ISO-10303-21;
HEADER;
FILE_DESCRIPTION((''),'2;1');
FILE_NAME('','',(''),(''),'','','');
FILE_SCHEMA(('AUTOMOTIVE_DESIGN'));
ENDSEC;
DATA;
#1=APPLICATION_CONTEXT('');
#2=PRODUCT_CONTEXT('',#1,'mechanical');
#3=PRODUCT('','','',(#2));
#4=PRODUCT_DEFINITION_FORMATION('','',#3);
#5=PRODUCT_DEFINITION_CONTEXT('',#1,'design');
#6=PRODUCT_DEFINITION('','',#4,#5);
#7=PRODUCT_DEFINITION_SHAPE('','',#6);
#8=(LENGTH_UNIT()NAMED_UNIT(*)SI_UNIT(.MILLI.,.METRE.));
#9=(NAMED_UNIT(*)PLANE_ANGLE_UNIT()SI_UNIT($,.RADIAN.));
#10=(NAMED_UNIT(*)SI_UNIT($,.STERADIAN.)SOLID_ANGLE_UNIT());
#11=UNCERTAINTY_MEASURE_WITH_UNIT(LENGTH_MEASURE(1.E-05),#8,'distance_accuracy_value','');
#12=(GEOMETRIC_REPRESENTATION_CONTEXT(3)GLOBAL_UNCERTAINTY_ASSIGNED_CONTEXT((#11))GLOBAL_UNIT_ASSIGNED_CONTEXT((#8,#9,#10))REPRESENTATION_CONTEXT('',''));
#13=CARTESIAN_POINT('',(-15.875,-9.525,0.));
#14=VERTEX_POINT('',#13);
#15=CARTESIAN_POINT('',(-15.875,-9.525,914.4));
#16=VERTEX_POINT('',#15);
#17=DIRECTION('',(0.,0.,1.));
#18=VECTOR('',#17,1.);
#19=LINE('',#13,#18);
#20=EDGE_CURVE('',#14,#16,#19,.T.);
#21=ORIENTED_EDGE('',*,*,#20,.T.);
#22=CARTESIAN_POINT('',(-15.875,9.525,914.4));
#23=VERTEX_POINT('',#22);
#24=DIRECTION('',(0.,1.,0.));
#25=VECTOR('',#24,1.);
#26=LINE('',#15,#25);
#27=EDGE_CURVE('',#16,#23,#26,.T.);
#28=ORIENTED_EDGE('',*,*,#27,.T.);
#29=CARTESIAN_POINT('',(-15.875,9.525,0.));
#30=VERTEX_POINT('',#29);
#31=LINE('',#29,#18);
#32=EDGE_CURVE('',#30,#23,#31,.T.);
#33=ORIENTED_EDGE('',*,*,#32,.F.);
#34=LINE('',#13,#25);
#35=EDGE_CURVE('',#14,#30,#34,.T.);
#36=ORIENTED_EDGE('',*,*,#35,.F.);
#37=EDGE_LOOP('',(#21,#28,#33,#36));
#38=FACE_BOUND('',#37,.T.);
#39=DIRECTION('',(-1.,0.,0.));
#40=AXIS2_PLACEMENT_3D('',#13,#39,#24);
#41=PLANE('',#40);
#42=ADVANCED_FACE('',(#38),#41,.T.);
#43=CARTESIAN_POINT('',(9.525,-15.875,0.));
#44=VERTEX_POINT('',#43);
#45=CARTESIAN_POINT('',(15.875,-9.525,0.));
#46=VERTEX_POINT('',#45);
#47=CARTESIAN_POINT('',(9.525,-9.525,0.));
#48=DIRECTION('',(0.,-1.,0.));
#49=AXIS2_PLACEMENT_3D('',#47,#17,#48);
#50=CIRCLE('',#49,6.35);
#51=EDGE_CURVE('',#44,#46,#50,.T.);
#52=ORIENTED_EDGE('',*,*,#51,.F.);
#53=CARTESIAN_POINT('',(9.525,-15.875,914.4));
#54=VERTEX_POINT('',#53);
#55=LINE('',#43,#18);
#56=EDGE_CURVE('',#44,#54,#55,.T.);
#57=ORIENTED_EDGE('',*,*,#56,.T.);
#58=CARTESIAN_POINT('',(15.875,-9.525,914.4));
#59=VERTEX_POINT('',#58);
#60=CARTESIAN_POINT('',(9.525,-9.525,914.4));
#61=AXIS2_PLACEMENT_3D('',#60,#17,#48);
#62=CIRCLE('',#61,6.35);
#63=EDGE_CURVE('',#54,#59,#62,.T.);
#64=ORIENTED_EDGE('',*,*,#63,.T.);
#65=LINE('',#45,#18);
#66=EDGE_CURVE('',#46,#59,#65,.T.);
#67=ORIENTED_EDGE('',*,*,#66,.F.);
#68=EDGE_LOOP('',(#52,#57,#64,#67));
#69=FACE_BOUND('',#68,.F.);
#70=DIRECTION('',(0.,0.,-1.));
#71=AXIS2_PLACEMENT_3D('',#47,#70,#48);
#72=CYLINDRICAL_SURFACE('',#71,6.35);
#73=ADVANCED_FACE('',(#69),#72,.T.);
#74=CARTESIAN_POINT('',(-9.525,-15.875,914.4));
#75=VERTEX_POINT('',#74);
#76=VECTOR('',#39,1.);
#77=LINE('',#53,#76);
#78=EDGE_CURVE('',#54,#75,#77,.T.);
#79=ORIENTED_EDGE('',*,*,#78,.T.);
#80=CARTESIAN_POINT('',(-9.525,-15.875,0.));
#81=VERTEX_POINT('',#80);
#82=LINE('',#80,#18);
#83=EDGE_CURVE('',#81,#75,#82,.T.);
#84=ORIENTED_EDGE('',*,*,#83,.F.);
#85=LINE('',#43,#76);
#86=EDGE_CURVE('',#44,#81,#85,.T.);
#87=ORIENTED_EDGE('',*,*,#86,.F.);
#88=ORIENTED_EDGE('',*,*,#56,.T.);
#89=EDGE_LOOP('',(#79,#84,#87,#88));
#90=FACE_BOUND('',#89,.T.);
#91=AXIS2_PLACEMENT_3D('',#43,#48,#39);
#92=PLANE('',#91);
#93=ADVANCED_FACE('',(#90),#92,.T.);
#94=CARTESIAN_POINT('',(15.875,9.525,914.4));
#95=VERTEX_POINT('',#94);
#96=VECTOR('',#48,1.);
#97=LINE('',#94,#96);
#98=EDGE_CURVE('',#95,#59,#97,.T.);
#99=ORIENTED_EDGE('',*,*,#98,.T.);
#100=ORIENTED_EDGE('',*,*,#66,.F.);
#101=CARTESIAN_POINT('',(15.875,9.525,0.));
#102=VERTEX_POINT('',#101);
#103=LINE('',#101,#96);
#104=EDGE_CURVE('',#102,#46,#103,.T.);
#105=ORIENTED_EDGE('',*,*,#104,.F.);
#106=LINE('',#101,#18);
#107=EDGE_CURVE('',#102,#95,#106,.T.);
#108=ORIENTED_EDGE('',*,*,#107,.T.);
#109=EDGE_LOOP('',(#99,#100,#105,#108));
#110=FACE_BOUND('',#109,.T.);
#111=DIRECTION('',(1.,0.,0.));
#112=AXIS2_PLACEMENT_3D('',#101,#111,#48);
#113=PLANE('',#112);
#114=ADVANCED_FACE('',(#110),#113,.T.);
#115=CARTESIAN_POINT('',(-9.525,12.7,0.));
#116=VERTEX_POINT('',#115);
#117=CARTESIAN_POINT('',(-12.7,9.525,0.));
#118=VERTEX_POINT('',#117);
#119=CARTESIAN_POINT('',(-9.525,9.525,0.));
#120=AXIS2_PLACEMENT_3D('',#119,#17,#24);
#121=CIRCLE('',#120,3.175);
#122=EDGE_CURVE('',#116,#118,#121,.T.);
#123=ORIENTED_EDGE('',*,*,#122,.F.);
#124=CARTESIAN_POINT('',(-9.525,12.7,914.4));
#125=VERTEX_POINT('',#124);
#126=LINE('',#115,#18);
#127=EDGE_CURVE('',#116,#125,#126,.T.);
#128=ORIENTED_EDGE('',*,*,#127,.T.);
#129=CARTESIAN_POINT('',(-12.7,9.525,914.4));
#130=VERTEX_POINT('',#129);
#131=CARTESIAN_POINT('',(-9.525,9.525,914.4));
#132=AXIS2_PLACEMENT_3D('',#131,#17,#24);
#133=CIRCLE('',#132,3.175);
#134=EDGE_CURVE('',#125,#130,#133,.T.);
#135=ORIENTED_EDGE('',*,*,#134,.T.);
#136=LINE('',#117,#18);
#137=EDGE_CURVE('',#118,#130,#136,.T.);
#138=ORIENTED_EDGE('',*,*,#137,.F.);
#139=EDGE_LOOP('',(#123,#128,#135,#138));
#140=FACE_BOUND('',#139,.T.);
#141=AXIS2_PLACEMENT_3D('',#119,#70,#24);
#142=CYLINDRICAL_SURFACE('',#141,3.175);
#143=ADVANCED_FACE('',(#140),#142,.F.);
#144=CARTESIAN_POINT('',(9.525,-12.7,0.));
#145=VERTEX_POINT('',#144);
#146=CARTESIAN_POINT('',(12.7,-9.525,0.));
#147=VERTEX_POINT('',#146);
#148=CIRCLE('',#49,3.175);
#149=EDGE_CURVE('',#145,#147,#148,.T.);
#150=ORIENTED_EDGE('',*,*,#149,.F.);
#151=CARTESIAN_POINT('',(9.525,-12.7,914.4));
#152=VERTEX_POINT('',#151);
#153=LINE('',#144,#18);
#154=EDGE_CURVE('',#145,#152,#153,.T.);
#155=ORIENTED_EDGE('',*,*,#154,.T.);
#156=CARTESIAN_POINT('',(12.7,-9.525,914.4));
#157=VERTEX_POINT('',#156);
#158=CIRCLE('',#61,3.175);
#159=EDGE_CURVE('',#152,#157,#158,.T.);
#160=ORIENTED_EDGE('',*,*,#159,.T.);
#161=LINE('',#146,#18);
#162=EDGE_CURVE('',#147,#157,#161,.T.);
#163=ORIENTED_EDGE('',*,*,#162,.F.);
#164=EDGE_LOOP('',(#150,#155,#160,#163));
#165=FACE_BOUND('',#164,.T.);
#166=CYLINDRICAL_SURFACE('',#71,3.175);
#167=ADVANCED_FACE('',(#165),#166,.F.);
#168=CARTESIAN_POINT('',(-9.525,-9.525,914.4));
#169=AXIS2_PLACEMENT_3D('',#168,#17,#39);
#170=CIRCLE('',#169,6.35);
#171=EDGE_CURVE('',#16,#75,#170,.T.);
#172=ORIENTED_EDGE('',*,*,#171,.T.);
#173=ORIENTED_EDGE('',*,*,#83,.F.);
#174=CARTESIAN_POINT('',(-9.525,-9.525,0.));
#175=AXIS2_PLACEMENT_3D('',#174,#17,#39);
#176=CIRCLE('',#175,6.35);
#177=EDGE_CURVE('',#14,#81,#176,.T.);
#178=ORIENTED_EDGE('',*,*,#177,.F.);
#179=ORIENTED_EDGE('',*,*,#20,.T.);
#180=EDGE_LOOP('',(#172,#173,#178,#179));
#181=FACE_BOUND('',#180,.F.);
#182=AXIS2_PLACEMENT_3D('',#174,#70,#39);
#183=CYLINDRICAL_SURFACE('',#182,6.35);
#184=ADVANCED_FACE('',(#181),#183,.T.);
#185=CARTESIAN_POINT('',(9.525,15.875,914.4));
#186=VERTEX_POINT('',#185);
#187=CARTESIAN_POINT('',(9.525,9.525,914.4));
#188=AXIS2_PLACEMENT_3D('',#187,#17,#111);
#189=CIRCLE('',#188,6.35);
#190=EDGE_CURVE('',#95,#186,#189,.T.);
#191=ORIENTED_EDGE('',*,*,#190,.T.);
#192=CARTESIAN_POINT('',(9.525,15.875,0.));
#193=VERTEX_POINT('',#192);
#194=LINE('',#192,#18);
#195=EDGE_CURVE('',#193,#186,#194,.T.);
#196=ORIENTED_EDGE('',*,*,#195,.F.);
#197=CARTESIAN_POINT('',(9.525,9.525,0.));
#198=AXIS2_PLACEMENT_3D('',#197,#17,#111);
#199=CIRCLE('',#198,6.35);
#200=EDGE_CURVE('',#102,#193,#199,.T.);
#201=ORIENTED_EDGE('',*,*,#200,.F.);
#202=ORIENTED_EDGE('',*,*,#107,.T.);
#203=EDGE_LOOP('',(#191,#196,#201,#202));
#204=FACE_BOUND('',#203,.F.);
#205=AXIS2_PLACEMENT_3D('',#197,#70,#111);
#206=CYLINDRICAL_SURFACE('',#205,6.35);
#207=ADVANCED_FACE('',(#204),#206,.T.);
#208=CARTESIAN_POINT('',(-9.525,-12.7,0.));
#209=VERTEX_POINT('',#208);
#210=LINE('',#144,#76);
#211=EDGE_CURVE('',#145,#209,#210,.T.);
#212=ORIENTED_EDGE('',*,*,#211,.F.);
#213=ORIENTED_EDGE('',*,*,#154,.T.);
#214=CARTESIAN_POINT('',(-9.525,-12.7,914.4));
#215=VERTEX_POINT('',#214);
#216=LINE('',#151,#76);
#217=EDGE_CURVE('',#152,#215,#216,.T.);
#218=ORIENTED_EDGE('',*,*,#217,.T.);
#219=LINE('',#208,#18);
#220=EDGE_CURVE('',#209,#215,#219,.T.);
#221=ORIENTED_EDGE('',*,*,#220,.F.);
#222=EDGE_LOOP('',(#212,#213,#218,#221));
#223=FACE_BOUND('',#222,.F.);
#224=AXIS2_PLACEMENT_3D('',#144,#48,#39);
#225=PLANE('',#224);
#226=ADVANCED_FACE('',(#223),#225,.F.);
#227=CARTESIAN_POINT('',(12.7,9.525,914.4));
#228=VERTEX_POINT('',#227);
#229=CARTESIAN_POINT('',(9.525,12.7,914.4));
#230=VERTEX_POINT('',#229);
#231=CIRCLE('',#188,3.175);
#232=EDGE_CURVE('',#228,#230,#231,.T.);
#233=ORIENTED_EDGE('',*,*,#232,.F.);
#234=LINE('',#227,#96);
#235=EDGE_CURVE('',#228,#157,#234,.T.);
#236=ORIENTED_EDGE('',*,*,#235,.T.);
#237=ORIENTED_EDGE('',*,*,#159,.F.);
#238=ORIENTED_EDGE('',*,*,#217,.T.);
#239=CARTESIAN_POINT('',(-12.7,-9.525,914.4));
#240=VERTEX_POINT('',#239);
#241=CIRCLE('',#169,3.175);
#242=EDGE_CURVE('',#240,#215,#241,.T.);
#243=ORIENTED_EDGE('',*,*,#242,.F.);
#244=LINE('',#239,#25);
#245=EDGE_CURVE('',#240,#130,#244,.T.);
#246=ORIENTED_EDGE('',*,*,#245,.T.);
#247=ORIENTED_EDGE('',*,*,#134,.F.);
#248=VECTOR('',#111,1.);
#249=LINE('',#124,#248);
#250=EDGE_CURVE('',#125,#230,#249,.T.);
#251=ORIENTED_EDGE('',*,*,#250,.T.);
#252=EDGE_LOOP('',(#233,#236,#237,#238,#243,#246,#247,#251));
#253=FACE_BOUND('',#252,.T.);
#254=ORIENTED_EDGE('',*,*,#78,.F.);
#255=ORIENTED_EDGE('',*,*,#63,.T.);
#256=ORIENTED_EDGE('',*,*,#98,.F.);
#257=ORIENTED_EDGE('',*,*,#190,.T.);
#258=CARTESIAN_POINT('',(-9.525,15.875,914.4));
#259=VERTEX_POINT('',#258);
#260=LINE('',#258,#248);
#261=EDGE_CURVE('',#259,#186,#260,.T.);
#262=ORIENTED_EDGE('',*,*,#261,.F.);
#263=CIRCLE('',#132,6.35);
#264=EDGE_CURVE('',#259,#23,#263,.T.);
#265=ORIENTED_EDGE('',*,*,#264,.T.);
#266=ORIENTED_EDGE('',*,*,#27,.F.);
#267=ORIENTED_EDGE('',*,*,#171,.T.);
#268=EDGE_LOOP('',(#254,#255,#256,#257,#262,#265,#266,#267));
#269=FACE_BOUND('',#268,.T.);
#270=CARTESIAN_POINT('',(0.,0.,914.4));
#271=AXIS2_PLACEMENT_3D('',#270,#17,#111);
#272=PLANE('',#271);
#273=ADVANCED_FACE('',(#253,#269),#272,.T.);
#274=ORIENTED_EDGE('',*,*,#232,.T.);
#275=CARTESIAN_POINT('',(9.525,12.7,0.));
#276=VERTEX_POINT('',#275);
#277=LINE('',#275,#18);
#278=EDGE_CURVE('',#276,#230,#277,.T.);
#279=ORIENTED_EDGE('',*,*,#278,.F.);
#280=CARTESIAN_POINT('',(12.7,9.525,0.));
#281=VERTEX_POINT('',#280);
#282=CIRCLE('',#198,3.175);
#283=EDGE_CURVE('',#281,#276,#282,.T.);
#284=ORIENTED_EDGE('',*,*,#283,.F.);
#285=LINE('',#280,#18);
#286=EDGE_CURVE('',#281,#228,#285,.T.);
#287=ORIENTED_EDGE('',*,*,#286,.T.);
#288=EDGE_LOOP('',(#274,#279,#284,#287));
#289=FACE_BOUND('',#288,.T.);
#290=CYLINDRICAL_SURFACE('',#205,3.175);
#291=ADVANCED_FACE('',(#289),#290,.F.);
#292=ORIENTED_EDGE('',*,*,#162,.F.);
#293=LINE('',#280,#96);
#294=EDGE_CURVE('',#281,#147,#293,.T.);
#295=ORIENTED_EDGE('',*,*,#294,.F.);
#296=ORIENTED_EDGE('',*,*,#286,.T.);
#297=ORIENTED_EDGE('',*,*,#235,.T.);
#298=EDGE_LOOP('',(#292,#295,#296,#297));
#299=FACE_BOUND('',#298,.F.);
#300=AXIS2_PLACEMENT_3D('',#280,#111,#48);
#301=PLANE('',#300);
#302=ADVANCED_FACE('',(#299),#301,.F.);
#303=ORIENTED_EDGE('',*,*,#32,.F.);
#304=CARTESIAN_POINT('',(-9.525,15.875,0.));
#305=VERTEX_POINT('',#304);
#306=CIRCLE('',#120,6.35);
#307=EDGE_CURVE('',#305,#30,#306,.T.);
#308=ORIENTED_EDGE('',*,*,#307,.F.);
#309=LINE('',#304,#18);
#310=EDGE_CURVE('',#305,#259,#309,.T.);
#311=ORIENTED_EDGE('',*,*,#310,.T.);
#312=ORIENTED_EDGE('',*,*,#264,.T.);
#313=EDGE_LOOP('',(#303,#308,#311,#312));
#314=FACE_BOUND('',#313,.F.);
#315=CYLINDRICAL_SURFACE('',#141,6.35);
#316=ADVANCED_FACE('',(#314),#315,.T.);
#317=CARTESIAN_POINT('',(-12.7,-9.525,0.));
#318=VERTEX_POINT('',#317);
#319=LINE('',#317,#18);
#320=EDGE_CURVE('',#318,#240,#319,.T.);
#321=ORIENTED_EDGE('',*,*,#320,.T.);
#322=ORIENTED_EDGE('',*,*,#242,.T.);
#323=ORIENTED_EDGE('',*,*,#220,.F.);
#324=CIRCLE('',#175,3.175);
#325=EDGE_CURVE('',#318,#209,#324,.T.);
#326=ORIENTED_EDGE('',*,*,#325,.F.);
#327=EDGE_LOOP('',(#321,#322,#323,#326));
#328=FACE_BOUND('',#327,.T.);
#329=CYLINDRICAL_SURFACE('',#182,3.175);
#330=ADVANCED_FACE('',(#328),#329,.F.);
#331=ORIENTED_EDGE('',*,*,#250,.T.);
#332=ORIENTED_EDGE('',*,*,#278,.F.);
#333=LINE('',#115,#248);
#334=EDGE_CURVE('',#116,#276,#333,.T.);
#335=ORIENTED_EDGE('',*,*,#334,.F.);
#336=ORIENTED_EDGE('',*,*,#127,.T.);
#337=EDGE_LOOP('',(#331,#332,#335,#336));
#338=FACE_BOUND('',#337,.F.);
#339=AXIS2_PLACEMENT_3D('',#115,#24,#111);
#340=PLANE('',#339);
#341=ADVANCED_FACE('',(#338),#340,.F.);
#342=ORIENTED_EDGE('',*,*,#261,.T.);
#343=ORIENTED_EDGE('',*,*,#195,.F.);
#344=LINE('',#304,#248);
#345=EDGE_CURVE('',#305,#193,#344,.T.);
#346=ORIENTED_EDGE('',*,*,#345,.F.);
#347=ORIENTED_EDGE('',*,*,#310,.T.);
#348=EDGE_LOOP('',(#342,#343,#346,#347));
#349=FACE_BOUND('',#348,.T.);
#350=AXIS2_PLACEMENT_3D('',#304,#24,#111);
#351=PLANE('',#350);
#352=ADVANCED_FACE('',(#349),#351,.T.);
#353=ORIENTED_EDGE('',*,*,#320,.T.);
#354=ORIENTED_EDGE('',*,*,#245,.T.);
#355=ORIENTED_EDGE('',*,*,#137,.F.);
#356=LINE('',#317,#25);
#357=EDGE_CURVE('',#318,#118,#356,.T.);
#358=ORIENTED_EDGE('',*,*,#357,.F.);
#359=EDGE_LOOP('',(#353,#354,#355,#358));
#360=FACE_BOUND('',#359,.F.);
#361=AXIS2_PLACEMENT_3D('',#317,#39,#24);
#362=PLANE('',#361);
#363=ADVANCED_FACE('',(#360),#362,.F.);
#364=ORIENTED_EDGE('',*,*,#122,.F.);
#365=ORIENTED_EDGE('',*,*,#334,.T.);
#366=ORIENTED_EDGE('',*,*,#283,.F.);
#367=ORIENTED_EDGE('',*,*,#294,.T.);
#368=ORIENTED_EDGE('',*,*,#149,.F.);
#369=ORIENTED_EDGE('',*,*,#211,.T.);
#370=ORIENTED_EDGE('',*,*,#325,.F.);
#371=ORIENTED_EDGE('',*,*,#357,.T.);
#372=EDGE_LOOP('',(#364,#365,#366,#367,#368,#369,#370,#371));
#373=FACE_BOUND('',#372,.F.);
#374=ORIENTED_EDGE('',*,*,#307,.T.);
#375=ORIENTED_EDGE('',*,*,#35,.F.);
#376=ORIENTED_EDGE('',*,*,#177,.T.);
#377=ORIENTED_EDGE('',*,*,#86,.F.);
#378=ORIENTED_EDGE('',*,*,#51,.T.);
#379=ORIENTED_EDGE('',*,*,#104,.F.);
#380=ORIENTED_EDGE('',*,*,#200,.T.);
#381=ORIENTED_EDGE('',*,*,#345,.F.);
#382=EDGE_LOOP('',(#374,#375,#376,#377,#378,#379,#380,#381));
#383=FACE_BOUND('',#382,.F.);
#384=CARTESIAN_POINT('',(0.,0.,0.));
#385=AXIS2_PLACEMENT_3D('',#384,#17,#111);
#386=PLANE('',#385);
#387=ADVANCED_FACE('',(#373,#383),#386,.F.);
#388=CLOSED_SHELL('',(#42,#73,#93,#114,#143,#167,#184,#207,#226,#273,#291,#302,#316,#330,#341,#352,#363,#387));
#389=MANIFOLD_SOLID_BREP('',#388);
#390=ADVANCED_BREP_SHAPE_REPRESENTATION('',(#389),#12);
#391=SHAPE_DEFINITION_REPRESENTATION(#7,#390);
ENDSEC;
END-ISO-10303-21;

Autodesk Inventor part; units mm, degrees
ref_plane "YZ Plane" through (0, 0, 0) normal (1, 0, 0) x (0, 1, 0)
ref_plane "Start plane" through (0, 0, 0) normal (0, 0, 1) x (1, 0, 0)
ref_plane "End plane" through (0, 0, 914.4) normal (0, 0, 1) x (1, 0, 0)
sketch "Sketch" plane through (0, 0, 0) normal (0, 0, 1) x (1, 0, 0)
  line L0 (-15.875, -9.525) -> (-15.875, 9.525)
  line L1 (-9.525, 15.875) -> (9.525, 15.875)
  line L2 (15.875, 9.525) -> (15.875, -9.525)
  line L3 (9.525, -15.875) -> (-9.525, -15.875)
  arc A0 (-15.875, -9.525) -> (-9.525, -15.875) centre (-9.525, -9.525) ccw
  arc A1 (-9.525, 15.875) -> (-15.875, 9.525) centre (-9.525, 9.525) ccw
  arc A2 (15.875, 9.525) -> (9.525, 15.875) centre (9.525, 9.525) ccw
  arc A3 (9.525, -15.875) -> (15.875, -9.525) centre (9.525, -9.525) ccw
  arc A4 (-9.525, 12.7) -> (-12.7, 9.525) centre (-9.525, 9.525) ccw
  line L4 (-9.525, 12.7) -> (9.525, 12.7)
  arc A5 (12.7, 9.525) -> (9.525, 12.7) centre (9.525, 9.525) ccw
  line L5 (12.7, 9.525) -> (12.7, -9.525)
  arc A6 (9.525, -12.7) -> (12.7, -9.525) centre (9.525, -9.525) ccw
  line L6 (9.525, -12.7) -> (-9.525, -12.7)
  arc A7 (-12.7, -9.525) -> (-9.525, -12.7) centre (-9.525, -9.525) ccw
  line L7 (-12.7, -9.525) -> (-12.7, 9.525)
  line L8 (0, 24.0662) -> (0, -24.0662) construction
  line L9 (-24.0662, 0) -> (24.0662, 0) construction
  dimension "d10" = 31.75
  dimension "d11" = 31.75
  dimension "d12" = 3.175
  dimension "d15" = 15.875
  dimension "d16" = 15.875
  dimension "d17" = 6.35
extrude "Body" add sketch "Sketch" along normal up to surface (914.4 mm away) from surface at 0
sketch "Sketch3" plane through (0, 0, 0) normal (0, 0, 1) x (1, 0, 0)
  line L0 (0, 0) -> (10, 0)
ref_plane "Work Plane3" through (0, 0, 0) normal (0, -1, 0) x (1, 0, 0)
sketch "Sketch4" plane through (0, 0, 0) normal (0, -1, 0) x (1, 0, 0)
  line L0 (-2, 0) -> (12, 0)
  line L1 (-2, 914.4) -> (12, 914.4)
  dimension "d19" = 914.4
equation "\"d10\" = G_H"
equation "\"d11\" = G_W"
equation "\"d12\" = G_T"
equation "\"d15\" = 0.5 * d10"
equation "\"d16\" = 0.5 * d11"
equation "\"d17\" = G_IR"
equation "\"d3\" = G_L"
equation "\"G_W\" = 31.75"
equation "\"G_H\" = 31.75"
equation "\"G_T\" = 3.175"
equation "\"G_IR\" = 6.35"
equation "\"G_L\" = d19"
equation "\"G_OFFSET_START\" = 0"
equation "\"G_OFFSET_END\" = 0"
equation "\"d14\" = G_OFFSET_END + B_L"
equation "\"B_L\" = 914.4"
properties part number "AISC HSS - (1 1/4x1 1/4x1/8) - 36" material "Steel, Mild"
